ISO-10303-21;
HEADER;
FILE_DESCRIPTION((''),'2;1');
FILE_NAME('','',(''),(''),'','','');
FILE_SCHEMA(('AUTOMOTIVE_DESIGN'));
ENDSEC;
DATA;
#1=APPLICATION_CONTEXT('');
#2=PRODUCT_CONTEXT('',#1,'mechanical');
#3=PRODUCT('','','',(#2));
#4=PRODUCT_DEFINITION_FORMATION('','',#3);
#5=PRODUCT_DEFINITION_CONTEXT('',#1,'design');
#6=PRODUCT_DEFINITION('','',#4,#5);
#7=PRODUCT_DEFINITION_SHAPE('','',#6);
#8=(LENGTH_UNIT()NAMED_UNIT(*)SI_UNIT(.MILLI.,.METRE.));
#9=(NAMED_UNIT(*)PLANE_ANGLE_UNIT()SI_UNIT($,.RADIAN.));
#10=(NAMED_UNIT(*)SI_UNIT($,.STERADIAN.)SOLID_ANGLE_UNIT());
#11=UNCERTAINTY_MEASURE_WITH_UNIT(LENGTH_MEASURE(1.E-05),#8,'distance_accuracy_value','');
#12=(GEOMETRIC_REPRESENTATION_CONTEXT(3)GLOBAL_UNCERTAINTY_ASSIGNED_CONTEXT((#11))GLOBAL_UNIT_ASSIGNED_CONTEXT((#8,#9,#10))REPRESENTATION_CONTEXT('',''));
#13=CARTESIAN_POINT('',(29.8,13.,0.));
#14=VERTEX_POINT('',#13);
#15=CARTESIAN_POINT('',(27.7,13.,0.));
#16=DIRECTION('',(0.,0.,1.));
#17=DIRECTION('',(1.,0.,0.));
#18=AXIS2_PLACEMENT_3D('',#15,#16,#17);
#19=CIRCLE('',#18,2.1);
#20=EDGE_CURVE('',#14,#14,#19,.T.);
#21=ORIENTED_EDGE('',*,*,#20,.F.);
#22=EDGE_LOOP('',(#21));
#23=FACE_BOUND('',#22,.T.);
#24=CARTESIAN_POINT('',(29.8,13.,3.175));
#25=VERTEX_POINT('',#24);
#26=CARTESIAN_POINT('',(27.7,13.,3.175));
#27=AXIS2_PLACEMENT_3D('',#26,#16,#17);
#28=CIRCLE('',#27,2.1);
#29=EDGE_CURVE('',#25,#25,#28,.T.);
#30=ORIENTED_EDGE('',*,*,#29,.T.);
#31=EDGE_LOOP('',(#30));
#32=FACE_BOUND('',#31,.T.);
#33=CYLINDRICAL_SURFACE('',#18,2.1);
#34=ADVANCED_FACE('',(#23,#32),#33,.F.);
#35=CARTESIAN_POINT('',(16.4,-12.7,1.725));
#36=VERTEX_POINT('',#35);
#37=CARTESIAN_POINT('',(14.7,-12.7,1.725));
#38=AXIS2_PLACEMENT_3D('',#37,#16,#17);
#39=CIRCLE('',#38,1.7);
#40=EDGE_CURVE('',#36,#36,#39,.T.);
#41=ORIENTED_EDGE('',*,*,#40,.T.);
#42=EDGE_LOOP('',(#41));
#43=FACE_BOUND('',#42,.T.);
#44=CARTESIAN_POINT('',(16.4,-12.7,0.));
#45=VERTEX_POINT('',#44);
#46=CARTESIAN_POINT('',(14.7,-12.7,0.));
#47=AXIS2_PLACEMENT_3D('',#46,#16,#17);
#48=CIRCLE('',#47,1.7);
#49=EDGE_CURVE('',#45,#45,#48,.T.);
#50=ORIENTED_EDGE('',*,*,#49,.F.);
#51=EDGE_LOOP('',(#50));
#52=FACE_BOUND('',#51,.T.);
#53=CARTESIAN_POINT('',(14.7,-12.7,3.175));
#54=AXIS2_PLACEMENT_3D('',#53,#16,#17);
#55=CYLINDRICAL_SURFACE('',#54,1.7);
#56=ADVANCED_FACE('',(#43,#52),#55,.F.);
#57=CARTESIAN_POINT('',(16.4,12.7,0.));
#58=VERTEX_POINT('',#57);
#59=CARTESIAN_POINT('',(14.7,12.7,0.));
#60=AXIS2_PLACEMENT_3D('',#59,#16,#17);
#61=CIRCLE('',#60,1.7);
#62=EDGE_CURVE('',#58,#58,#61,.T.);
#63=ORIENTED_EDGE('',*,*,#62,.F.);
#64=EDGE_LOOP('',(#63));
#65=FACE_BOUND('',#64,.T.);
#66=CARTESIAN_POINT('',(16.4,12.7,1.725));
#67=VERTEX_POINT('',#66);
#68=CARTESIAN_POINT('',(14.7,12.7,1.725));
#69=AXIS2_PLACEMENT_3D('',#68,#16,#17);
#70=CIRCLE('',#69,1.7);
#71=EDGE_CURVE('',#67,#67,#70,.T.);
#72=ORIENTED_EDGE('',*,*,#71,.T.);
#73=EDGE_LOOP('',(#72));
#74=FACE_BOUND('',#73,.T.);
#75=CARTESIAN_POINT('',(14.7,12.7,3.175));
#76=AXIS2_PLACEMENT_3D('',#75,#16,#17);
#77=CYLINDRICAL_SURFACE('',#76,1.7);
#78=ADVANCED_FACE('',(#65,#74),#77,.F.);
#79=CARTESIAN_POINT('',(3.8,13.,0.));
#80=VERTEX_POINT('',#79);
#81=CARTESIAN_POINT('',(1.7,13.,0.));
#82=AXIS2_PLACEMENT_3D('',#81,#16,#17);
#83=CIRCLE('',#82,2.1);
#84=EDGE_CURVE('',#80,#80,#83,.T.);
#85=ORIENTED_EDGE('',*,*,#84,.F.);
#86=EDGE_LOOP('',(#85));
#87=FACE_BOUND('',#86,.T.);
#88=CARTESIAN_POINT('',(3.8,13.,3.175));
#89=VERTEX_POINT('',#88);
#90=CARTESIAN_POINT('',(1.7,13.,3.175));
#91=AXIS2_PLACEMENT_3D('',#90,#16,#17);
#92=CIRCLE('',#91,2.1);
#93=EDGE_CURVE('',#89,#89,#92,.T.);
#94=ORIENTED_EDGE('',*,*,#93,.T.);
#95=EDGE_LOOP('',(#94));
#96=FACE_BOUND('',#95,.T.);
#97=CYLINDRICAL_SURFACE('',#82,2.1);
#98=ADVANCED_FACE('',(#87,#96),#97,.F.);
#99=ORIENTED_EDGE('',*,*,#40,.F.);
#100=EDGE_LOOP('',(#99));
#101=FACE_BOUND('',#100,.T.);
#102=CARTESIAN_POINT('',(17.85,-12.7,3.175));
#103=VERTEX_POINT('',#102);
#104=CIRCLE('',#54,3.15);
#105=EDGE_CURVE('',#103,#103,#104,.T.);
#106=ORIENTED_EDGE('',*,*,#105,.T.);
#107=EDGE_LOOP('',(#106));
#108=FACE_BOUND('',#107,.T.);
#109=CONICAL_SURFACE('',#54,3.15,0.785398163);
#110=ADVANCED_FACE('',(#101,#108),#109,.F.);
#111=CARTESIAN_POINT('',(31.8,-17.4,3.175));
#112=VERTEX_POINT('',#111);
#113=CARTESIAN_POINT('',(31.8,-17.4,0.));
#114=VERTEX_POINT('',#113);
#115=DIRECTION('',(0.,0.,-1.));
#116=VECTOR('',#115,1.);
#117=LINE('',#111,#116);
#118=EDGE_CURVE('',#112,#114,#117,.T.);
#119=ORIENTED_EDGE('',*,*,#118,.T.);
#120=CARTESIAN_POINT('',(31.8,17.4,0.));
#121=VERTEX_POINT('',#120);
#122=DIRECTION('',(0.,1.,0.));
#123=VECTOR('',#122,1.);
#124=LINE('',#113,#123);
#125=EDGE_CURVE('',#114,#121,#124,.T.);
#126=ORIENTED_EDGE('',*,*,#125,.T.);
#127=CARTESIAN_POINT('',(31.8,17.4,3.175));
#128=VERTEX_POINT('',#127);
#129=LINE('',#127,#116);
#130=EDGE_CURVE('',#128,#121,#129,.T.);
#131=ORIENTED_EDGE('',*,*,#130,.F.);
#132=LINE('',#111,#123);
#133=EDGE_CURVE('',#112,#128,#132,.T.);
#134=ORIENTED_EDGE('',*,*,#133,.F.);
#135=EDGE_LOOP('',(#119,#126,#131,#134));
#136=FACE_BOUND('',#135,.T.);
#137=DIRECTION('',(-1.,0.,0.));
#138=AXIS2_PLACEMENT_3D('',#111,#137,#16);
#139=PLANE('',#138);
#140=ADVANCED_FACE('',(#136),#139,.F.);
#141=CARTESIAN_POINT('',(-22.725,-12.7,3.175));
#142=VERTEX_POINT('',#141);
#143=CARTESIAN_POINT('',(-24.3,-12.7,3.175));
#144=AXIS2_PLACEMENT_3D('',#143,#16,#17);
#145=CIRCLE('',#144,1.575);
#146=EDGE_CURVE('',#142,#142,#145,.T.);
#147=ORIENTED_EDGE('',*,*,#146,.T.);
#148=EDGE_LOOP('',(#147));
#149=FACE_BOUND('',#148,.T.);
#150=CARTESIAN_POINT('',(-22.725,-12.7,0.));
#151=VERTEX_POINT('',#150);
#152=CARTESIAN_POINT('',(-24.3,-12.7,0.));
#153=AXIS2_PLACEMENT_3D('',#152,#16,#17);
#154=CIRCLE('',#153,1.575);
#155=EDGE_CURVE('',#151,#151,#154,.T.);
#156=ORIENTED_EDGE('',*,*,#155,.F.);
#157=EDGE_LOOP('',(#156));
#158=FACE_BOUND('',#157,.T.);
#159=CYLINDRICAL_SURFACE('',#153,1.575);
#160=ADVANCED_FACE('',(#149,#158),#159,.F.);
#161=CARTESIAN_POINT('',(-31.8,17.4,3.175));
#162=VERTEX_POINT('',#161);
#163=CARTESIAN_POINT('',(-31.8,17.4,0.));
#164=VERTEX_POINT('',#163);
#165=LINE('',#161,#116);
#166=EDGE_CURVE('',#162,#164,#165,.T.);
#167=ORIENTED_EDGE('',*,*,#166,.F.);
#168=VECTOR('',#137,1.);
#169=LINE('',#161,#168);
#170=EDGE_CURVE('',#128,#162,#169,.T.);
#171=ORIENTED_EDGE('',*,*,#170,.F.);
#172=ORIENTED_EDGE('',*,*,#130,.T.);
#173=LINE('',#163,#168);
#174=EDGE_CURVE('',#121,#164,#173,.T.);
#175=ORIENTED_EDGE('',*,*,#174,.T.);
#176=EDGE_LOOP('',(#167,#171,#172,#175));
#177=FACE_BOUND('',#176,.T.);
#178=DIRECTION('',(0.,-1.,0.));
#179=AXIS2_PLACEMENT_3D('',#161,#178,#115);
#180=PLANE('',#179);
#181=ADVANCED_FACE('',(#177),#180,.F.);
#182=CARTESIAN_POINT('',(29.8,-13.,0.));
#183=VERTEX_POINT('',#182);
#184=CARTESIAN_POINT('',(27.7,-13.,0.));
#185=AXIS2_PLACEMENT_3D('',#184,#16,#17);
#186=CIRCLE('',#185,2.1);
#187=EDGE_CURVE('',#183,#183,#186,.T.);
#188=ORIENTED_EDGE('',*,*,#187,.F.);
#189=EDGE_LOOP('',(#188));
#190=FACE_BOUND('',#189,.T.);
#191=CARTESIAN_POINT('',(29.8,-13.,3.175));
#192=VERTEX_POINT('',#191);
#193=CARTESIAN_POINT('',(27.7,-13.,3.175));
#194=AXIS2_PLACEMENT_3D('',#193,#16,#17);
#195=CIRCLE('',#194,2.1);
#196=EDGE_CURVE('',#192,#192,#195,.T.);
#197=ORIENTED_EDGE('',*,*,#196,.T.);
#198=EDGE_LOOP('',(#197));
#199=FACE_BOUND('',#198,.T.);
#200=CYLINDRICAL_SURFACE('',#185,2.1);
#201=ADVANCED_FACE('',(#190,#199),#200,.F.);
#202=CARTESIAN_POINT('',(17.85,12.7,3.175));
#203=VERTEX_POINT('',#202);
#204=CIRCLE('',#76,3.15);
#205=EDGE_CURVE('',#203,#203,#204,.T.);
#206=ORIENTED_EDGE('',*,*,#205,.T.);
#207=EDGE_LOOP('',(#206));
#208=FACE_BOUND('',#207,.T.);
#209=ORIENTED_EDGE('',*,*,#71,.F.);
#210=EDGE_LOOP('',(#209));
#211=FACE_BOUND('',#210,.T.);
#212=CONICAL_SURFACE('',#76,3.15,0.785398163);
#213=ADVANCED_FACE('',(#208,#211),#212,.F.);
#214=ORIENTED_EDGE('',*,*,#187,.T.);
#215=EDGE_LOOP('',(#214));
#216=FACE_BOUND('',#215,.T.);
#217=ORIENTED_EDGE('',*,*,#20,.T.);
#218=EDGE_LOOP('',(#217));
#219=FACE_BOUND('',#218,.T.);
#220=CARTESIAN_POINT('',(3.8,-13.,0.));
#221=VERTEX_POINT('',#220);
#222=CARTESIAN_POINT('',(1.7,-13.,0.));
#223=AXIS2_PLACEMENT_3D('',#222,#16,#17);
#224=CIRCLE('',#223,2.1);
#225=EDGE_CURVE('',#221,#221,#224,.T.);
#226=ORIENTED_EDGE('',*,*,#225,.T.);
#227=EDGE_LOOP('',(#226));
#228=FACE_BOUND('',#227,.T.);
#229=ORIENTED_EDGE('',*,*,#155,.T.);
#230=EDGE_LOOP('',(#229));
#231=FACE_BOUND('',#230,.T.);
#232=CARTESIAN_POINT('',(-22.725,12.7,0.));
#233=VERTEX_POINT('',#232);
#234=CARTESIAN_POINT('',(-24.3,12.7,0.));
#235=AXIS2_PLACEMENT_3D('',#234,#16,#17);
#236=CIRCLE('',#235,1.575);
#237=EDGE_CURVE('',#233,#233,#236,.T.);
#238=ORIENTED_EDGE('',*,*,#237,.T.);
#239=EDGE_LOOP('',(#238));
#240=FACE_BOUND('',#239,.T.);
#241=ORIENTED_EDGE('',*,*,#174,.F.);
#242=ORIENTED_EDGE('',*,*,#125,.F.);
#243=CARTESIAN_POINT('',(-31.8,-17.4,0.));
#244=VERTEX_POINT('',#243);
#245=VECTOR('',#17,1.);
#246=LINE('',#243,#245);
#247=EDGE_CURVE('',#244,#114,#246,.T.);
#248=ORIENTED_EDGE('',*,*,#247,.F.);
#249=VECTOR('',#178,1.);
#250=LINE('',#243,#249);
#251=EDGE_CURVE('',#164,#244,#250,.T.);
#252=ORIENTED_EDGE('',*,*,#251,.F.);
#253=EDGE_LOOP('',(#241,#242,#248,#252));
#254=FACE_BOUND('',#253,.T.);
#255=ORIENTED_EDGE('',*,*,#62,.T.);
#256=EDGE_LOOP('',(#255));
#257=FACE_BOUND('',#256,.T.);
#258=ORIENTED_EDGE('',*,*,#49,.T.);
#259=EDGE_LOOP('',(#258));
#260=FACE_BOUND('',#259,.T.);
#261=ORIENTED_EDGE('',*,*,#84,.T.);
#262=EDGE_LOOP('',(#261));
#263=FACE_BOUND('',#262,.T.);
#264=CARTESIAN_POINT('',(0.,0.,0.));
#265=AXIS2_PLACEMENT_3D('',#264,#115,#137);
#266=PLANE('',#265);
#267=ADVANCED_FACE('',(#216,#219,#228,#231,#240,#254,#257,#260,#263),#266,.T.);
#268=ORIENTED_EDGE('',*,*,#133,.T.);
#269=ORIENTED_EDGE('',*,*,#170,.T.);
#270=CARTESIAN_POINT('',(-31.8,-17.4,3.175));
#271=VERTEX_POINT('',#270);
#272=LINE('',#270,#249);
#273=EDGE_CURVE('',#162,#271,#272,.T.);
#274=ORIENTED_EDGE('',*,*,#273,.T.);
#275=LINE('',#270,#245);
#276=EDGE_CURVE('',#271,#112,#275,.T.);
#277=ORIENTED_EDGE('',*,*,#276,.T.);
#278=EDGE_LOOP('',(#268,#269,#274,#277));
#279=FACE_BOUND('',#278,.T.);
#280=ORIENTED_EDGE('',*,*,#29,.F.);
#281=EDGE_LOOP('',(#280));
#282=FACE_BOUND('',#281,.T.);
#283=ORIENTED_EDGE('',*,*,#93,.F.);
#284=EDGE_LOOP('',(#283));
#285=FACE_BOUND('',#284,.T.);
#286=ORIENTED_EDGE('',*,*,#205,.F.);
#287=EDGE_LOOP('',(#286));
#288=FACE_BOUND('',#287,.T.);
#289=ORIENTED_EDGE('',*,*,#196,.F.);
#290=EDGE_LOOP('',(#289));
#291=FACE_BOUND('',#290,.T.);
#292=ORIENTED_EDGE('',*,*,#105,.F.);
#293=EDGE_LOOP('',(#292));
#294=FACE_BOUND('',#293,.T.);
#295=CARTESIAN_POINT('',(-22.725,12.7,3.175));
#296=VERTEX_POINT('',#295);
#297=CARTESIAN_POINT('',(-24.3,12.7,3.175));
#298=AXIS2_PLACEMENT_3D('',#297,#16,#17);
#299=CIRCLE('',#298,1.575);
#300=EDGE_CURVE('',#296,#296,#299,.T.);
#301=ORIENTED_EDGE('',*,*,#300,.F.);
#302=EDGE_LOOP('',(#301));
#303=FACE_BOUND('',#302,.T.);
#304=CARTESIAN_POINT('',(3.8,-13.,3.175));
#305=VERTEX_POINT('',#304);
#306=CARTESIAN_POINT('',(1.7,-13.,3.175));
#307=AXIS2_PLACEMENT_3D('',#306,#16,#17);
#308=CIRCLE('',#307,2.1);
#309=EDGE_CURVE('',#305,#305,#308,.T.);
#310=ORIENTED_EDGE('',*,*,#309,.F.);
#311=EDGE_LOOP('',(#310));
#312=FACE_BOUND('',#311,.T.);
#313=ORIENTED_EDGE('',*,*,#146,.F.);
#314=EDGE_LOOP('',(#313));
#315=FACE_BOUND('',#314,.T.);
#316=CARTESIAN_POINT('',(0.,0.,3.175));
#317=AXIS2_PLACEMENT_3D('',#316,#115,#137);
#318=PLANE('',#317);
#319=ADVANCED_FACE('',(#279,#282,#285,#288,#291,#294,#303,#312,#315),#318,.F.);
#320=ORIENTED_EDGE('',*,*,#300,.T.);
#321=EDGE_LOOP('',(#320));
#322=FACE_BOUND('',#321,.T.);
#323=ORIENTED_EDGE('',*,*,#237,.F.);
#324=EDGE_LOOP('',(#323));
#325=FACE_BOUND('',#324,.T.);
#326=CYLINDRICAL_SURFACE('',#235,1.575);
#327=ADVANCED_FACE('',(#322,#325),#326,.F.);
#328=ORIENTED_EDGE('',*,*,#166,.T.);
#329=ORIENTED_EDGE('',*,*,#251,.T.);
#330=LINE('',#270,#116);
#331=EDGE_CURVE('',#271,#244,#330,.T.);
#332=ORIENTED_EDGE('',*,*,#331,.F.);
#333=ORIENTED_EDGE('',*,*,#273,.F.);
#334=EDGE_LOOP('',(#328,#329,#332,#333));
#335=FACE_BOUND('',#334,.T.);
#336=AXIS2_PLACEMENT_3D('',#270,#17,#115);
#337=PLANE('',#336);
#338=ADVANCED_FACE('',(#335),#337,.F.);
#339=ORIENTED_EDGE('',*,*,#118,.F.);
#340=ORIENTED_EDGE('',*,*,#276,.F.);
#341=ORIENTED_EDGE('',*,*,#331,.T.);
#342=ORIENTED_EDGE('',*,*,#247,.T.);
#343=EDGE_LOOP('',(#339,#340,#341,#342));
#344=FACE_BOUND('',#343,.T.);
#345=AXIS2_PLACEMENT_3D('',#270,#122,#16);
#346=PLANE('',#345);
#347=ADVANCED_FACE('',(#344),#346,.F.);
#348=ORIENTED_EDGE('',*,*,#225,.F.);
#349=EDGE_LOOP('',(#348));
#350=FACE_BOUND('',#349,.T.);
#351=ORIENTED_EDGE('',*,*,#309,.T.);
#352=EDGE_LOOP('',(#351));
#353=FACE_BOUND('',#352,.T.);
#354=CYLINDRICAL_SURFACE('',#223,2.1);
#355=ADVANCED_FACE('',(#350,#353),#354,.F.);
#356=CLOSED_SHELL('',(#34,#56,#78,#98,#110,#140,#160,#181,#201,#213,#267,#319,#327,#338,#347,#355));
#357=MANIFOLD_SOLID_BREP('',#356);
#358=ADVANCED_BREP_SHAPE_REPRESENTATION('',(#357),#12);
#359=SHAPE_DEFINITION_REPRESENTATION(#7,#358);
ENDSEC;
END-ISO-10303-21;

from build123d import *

# Parameters (mm, degrees)
PROFILE_SKETCH_W                                = 63.6
PROFILE_SKETCH_H                                = 34.8
PROFILE_EXTRUDE_DEPTH                           = 3.175
MOUNTING_HOLE_SKETCH_R                          = 1.575
MOUNTING_HOLE_CUT_DEPTH                         = 4.175
CSK_FOR_M3_FLAT_HEAD_MACHINE_SCREW1_D           = 3.4
CSK_FOR_M3_FLAT_HEAD_MACHINE_SCREW1_CSINK_D     = 6.3
CSK_FOR_M3_FLAT_HEAD_MACHINE_SCREW1_CSINK_ANGLE = 90
CARRIAGE_GUIDE_HOLE_SKETCH_R                    = 2.1
CARRIAGE_GUIDE_HOLE_CUT_DEPTH                   = 4.175


with BuildPart() as part:
    # Profile Sketch → Profile Extrude (new body)
    with BuildSketch(Plane.XY):
        Rectangle(PROFILE_SKETCH_W, PROFILE_SKETCH_H)
    extrude(amount=PROFILE_EXTRUDE_DEPTH)

    # Mounting Hole Sketch → Mounting Hole Cut (cut, through all)
    with BuildSketch(Plane.XY.offset(3.175)):
        with Locations((-24.3, 12.7)):
            Circle(MOUNTING_HOLE_SKETCH_R)
        with Locations((-24.3, -12.7)):
            Circle(MOUNTING_HOLE_SKETCH_R)
    extrude(amount=-MOUNTING_HOLE_CUT_DEPTH, mode=Mode.SUBTRACT)

    # CSK for M3 Flat Head Machine Screw1 (through all)
    with Locations(Plane(origin=(14.7, 12.7, 3.175), x_dir=(1, 0, 0), z_dir=(0, 0, 1))):
        with Locations((0, 0), (0, -25.4)):
            CounterSinkHole(CSK_FOR_M3_FLAT_HEAD_MACHINE_SCREW1_D / 2, CSK_FOR_M3_FLAT_HEAD_MACHINE_SCREW1_CSINK_D / 2, counter_sink_angle=CSK_FOR_M3_FLAT_HEAD_MACHINE_SCREW1_CSINK_ANGLE)

    # Carriage Guide Hole Sketch → Carriage Guide Hole Cut (cut, through all)
    with BuildSketch(Plane.XY.offset(3.175)):
        with Locations((1.7, 13)):
            Circle(CARRIAGE_GUIDE_HOLE_SKETCH_R)
        with Locations((27.7, 13)):
            Circle(CARRIAGE_GUIDE_HOLE_SKETCH_R)
        with Locations((27.7, -13)):
            Circle(CARRIAGE_GUIDE_HOLE_SKETCH_R)
        with Locations((1.7, -13)):
            Circle(CARRIAGE_GUIDE_HOLE_SKETCH_R)
    extrude(amount=-CARRIAGE_GUIDE_HOLE_CUT_DEPTH, mode=Mode.SUBTRACT)


solid = part.part
